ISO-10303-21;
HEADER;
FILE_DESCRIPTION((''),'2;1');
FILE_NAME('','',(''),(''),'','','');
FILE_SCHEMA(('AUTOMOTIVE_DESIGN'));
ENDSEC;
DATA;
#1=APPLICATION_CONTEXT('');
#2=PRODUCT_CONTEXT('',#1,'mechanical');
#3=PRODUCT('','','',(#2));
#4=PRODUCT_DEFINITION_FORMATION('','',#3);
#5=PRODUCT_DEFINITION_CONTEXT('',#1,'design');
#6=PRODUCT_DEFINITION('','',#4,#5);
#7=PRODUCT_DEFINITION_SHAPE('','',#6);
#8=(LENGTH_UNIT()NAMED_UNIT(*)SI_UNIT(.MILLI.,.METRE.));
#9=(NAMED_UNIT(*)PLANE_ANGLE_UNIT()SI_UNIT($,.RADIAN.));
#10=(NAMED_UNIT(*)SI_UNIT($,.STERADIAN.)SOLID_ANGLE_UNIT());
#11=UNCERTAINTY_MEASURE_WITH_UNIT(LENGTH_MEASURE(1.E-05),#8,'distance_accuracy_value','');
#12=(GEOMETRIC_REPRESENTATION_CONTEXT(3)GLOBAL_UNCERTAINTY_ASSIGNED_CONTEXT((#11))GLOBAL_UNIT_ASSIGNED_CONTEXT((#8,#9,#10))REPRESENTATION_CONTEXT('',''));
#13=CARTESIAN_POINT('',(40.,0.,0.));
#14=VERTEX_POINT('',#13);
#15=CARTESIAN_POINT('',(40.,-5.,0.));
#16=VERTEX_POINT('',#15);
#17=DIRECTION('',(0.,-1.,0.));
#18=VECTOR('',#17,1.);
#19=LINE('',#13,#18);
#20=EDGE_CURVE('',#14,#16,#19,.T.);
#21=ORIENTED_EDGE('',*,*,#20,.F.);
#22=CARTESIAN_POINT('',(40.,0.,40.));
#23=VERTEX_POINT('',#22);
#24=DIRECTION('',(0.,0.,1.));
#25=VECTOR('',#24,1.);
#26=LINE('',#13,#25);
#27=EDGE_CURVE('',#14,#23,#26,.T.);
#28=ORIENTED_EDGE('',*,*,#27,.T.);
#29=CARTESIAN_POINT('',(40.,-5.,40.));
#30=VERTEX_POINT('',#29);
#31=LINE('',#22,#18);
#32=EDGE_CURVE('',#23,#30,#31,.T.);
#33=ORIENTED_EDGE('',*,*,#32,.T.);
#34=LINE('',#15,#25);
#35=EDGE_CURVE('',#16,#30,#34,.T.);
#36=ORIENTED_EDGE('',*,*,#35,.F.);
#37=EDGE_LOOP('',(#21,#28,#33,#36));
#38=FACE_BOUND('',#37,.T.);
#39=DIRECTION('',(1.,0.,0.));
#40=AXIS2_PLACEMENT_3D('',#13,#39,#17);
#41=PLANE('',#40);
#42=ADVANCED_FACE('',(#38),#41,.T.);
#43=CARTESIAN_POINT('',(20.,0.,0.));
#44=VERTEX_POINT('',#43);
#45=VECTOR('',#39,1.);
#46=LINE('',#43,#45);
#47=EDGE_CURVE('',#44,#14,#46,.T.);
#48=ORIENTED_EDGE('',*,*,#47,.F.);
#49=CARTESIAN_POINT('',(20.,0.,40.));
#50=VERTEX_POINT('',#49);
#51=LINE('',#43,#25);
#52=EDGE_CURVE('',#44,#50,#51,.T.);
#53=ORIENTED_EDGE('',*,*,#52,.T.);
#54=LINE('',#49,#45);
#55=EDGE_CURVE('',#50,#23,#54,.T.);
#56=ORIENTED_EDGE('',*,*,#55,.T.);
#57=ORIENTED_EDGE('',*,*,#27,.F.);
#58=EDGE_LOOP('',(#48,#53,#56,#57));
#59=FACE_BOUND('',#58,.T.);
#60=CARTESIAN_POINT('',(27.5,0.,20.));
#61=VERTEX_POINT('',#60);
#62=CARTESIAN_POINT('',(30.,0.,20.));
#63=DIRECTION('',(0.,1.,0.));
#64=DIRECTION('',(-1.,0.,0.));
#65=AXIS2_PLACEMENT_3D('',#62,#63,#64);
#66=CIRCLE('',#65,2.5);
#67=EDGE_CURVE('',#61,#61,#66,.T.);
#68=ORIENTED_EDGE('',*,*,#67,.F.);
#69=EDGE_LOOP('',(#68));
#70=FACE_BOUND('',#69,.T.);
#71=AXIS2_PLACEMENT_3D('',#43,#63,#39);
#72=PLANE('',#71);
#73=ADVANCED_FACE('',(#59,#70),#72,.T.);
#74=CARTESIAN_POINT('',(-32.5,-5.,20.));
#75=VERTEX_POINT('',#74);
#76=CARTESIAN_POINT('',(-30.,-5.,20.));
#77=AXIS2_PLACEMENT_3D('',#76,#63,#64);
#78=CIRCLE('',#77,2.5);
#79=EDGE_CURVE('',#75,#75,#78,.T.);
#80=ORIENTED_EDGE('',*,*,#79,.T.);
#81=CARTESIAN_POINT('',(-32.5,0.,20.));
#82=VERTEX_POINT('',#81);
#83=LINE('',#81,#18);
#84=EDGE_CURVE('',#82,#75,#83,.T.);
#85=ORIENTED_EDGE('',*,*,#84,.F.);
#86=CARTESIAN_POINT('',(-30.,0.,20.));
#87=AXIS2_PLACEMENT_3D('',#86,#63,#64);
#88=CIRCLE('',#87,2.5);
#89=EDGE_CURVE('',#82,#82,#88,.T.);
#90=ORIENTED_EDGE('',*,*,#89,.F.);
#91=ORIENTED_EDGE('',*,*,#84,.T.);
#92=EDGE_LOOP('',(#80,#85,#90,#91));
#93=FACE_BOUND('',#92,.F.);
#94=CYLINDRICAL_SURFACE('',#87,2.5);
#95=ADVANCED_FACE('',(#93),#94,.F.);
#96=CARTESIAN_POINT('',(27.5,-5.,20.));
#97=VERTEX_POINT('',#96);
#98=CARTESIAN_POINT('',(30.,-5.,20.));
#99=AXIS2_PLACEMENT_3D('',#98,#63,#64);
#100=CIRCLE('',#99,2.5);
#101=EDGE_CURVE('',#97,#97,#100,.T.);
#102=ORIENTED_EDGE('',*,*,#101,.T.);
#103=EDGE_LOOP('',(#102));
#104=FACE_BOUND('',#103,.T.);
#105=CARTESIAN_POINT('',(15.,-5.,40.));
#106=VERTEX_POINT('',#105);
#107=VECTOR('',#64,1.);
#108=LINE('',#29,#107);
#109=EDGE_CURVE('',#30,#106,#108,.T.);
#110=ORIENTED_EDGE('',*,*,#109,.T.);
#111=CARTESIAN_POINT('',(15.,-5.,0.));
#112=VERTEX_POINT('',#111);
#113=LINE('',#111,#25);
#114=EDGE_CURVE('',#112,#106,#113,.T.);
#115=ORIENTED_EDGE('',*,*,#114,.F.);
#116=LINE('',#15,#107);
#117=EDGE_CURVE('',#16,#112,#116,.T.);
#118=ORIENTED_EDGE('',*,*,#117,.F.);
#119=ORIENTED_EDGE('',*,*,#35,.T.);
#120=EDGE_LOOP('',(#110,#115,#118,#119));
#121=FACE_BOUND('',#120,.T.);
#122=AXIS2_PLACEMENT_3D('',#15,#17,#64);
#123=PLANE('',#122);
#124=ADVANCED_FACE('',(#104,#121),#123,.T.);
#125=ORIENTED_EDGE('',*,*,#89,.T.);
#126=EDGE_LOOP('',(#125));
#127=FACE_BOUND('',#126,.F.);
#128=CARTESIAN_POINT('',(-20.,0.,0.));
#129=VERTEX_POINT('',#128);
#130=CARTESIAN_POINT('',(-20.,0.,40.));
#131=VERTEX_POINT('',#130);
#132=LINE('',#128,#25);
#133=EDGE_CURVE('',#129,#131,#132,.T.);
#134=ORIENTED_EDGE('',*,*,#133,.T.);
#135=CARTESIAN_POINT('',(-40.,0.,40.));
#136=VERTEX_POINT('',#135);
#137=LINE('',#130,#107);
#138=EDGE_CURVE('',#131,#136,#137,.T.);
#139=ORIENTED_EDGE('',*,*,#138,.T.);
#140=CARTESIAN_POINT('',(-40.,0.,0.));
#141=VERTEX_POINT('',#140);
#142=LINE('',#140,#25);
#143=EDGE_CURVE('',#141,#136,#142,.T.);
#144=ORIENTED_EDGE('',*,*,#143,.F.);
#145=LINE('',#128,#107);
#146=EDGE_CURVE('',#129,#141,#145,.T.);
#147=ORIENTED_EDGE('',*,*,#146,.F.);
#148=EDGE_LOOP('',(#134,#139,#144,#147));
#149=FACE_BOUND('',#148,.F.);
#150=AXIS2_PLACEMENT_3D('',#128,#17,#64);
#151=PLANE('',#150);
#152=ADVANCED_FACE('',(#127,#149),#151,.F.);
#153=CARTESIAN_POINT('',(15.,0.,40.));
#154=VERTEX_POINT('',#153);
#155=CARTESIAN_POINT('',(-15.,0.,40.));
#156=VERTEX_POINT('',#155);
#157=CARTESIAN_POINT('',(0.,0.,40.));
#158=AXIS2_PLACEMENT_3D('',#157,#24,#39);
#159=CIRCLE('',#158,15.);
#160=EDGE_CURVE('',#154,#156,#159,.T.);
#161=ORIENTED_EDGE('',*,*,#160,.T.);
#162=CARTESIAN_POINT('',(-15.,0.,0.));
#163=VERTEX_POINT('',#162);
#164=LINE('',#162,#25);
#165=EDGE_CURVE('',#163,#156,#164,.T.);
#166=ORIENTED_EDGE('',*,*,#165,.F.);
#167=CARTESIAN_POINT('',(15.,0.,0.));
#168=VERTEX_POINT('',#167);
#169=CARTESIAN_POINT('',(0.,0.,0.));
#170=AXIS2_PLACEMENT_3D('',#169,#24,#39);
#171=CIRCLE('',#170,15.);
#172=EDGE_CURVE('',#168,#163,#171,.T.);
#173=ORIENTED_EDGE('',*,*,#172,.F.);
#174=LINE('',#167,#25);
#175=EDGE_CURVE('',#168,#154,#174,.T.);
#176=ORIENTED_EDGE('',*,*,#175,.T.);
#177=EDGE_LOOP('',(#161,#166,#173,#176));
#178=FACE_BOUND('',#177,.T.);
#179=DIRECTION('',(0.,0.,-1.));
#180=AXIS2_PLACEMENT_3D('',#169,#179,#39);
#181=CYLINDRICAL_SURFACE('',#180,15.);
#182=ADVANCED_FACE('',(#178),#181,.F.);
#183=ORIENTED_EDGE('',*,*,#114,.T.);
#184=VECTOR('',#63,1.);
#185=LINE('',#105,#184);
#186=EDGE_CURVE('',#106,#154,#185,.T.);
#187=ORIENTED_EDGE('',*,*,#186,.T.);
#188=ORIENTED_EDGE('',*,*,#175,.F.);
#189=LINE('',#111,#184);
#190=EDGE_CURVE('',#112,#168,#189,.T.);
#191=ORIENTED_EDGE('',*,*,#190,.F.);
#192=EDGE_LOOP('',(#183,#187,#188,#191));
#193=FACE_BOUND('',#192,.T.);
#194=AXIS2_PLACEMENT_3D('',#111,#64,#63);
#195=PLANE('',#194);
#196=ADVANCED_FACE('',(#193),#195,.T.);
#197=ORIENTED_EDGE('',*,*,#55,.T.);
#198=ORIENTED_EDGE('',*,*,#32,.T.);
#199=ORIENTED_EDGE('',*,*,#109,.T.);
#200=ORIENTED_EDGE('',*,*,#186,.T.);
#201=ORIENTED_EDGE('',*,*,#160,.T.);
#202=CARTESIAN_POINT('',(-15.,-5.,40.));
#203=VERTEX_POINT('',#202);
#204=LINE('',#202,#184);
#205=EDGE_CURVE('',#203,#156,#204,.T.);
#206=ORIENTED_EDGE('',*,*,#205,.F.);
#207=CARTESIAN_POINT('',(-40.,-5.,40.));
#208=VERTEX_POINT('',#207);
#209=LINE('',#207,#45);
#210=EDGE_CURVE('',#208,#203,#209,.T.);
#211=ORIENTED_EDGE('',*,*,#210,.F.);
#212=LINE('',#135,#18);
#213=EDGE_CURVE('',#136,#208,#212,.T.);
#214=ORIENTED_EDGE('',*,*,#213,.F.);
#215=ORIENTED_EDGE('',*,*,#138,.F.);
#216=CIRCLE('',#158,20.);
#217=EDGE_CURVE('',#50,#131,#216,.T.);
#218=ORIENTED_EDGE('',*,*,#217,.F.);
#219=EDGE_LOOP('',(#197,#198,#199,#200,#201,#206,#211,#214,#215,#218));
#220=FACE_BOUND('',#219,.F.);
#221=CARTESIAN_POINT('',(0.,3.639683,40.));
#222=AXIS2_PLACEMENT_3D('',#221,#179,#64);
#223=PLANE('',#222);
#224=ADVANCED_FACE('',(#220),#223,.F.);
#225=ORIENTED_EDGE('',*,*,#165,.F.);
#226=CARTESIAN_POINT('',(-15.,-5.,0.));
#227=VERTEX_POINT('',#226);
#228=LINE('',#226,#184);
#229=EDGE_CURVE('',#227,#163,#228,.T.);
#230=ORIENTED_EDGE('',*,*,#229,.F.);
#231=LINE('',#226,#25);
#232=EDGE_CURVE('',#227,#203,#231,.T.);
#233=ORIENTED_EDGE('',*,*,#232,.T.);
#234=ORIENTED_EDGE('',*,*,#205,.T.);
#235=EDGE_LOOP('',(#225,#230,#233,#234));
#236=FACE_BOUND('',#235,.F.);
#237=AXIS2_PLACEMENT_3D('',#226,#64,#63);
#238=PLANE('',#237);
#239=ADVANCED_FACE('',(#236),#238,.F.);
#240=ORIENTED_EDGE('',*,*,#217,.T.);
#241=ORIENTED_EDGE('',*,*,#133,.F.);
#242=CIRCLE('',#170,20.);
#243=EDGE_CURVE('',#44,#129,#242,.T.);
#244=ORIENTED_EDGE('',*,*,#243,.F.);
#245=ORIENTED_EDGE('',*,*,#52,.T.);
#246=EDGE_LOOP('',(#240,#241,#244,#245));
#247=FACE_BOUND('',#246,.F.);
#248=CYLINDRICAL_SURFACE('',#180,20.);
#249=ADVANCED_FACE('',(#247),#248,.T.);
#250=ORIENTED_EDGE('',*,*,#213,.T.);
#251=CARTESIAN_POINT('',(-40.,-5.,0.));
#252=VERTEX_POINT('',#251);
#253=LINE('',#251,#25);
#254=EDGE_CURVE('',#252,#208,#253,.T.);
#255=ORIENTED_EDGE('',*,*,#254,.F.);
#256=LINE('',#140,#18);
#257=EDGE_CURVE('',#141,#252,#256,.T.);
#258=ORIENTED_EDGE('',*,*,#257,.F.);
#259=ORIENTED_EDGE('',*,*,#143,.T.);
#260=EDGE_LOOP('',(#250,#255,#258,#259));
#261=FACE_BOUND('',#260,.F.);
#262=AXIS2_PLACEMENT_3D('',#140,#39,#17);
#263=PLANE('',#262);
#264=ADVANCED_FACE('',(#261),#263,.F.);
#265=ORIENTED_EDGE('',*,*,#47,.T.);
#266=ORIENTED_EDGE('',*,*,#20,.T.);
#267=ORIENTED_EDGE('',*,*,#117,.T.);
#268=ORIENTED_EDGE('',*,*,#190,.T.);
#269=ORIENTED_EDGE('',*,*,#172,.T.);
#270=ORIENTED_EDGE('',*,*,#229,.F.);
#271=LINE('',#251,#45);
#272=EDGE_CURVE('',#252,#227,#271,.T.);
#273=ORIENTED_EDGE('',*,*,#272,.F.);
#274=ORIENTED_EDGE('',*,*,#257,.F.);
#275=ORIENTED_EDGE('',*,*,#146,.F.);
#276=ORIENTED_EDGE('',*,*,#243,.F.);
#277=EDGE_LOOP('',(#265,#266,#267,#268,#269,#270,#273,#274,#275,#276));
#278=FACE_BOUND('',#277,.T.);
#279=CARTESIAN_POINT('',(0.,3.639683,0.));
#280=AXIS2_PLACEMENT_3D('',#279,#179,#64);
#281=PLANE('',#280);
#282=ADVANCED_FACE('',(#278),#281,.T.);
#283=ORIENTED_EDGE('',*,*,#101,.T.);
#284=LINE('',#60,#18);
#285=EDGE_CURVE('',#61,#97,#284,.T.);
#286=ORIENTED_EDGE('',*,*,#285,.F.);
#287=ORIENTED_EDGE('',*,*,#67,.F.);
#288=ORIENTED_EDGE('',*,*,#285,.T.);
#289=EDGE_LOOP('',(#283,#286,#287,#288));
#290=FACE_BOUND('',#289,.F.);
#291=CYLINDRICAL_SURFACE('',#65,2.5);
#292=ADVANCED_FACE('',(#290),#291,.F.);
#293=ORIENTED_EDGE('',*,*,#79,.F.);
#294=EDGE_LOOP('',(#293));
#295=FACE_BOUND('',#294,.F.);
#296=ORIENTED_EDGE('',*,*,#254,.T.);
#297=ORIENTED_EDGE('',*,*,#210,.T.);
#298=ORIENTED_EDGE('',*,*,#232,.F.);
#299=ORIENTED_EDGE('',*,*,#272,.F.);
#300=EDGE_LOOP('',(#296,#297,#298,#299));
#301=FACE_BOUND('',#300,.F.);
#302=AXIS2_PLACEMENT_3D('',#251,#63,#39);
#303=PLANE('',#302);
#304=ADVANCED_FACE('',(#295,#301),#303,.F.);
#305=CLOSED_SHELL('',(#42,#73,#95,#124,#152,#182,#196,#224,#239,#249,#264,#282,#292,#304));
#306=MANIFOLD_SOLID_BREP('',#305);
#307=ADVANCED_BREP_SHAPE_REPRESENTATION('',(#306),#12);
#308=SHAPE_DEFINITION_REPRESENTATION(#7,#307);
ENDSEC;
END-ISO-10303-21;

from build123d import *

# Parameters (mm, degrees)
PAD_DEPTH    = 40
SKETCH001_R  = 2.5
POCKET_DEPTH = 5


with BuildPart() as part:
    # Sketch → Pad (new body)
    with BuildSketch(Plane.XY):
        with BuildLine():
            ThreePointArc((15, 0), (0, 15), (-15, 0))
            Line((-15, -5), (-15, 0))
            Line((-40, -5), (-15, -5))
            Line((-40, 0), (-40, -5))
            Line((-20, 0), (-40, 0))
            ThreePointArc((20, 0), (0, 20), (-20, 0))
            Line((20, 0), (40, 0))
            Line((40, 0), (40, -5))
            Line((40, -5), (15, -5))
            Line((15, -5), (15, 0))
        make_face()
    extrude(amount=PAD_DEPTH)

    # Sketch001 (on Face1 of Pad) → Pocket (cut)
    with BuildSketch(Plane(origin=(0, 0, 0), x_dir=(-1, 0, 0), z_dir=(0, 1, 0))):
        with Locations((-30, 20)):
            Circle(SKETCH001_R)
        with Locations((30, 20)):
            Circle(SKETCH001_R)
    extrude(amount=-POCKET_DEPTH, mode=Mode.SUBTRACT)


solid = part.part
